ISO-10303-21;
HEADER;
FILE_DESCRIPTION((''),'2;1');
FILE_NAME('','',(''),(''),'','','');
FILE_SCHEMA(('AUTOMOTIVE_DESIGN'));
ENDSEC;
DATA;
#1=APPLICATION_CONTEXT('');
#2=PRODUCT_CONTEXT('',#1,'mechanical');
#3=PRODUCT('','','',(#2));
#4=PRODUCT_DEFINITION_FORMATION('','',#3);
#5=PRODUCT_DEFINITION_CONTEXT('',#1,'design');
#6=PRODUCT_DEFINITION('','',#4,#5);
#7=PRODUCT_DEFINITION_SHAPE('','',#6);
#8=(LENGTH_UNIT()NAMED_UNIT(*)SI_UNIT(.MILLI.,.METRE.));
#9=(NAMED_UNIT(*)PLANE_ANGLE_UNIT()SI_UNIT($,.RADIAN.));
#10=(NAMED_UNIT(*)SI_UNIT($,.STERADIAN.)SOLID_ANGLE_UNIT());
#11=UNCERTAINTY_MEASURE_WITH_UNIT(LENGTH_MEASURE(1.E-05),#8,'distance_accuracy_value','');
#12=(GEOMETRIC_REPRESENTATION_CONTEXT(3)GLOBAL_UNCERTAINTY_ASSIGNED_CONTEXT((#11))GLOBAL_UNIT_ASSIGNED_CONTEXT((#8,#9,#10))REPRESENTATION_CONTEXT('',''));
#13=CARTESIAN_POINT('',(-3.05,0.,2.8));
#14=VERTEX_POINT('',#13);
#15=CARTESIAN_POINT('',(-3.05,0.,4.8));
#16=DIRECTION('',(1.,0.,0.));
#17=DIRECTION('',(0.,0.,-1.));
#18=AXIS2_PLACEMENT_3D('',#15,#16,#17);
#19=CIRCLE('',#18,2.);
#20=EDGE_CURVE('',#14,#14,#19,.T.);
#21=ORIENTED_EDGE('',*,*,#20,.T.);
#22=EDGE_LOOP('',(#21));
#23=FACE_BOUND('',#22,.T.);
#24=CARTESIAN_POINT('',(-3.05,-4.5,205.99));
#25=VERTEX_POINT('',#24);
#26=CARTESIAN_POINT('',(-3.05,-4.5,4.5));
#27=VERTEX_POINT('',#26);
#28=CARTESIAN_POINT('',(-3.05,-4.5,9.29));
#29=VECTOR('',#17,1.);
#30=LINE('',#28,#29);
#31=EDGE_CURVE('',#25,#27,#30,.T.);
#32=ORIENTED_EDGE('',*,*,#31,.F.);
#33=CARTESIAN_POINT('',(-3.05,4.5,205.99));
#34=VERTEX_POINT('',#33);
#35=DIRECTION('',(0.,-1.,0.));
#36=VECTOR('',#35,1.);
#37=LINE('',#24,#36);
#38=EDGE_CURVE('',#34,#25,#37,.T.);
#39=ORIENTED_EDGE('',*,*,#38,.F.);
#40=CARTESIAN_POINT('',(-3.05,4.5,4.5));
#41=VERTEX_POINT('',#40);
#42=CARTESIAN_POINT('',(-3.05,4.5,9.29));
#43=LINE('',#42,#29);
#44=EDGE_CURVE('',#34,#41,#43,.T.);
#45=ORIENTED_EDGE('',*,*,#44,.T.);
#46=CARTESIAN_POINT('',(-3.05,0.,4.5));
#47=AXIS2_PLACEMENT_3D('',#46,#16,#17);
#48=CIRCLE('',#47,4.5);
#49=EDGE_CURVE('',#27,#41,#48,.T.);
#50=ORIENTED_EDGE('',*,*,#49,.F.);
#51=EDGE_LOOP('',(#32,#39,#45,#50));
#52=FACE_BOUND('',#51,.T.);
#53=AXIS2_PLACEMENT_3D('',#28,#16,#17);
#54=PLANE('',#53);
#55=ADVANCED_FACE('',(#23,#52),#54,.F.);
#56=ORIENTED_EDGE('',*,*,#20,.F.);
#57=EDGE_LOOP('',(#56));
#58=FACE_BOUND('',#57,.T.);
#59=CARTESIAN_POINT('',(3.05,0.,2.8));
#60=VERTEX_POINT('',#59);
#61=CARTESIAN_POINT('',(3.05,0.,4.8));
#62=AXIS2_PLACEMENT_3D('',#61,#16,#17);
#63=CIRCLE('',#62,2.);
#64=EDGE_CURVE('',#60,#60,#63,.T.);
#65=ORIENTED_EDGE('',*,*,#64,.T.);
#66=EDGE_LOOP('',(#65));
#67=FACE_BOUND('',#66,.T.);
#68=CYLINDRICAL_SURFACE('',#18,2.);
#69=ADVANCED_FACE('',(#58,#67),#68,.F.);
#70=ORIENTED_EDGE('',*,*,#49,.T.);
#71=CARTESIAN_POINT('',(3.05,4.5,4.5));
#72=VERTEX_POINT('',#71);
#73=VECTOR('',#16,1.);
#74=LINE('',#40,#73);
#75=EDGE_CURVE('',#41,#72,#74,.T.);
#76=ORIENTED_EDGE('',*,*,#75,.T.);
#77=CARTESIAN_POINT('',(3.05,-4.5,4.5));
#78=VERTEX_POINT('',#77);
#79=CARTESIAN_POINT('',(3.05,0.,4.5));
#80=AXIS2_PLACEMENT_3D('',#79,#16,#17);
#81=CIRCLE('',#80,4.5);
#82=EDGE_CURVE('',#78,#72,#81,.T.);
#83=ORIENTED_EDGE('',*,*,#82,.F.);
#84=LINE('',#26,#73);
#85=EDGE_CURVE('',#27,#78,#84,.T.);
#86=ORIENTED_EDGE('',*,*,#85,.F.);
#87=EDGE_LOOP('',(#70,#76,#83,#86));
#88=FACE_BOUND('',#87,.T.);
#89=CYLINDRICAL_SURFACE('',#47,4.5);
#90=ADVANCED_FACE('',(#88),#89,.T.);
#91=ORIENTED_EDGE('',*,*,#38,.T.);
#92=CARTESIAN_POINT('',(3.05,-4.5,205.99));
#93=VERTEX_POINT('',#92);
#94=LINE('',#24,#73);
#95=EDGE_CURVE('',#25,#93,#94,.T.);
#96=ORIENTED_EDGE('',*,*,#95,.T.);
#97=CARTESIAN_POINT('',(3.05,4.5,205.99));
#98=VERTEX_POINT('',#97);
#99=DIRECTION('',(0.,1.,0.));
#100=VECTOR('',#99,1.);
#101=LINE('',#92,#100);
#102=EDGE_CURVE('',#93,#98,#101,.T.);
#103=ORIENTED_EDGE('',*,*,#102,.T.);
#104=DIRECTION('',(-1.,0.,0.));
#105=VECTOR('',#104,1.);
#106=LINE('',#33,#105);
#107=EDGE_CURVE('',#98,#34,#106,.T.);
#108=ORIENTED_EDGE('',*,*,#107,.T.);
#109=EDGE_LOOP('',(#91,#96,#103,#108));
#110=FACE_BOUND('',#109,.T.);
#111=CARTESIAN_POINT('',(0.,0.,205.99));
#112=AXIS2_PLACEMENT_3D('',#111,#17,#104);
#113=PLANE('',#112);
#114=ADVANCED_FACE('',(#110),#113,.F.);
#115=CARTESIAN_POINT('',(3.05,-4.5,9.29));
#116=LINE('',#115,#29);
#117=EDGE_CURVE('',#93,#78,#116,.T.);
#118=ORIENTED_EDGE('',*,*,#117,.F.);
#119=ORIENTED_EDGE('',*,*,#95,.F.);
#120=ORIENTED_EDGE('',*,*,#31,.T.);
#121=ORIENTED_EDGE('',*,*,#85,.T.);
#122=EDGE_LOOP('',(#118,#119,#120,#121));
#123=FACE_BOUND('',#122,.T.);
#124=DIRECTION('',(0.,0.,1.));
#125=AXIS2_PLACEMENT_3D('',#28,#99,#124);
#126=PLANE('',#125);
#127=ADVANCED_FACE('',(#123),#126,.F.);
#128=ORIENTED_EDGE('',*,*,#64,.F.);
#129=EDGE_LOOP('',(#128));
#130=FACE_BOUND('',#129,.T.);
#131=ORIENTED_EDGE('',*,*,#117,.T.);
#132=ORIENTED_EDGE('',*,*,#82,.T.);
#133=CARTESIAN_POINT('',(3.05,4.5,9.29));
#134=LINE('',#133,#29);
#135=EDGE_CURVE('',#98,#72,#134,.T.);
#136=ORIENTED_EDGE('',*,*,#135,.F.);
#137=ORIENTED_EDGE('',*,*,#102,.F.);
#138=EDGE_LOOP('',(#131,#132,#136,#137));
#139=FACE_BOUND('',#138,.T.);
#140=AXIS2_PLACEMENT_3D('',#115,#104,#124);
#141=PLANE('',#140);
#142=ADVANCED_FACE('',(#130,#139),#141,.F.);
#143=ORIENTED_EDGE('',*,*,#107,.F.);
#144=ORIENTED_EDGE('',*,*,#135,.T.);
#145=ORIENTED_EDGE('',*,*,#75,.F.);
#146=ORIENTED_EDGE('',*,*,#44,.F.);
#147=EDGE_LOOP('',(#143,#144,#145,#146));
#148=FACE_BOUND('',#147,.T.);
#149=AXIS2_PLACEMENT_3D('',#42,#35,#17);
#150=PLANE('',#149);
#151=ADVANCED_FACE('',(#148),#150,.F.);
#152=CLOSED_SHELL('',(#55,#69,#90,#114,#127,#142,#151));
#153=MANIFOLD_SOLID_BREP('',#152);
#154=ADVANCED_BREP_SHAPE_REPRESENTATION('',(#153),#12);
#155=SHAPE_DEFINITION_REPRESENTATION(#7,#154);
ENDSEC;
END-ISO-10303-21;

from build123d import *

# Parameters (mm, degrees)
SKETCH1_W           = 6.1
SKETCH1_H           = 9
BOSS_EXTRUDE1_DEPTH = 9.29
SKETCH3_R           = 2
CUT_EXTRUDE2_DEPTH  = 12.990166805
SKETCH4_W           = 6.1
SKETCH4_H           = 9
BOSS_EXTRUDE2_DEPTH = 196.7


with BuildPart() as part:
    # Sketch1 → Boss-Extrude1 (new body)
    with BuildSketch(Plane.XY):
        Rectangle(SKETCH1_W, SKETCH1_H)
    extrude(amount=BOSS_EXTRUDE1_DEPTH)

    # Sketch3 → Cut-Extrude2 (cut, through all)
    with BuildSketch(Plane(origin=(3.05, 0, 0), x_dir=(0, 0, -1), z_dir=(1, 0, 0))):
        with BuildLine():
            ThreePointArc((-4.5, 4.5), (-1.318019485, 3.181980515), (0, 0))
            Line((0, 0), (0, 4.5))
            Line((0, 4.5), (-4.5, 4.5))
        make_face()
        with BuildLine():
            ThreePointArc((0, 0), (-1.318019485, -3.181980515), (-4.5, -4.5))
            Line((-4.5, -4.5), (0, -4.5))
            Line((0, -4.5), (0, 0))
        make_face()
        with Locations((-4.8, 0)):
            Circle(SKETCH3_R)
    extrude(amount=-CUT_EXTRUDE2_DEPTH, mode=Mode.SUBTRACT)

    # Sketch4 → Boss-Extrude2 (add)
    with BuildSketch(Plane.XY.offset(9.29)):
        Rectangle(SKETCH4_W, SKETCH4_H)
    extrude(amount=BOSS_EXTRUDE2_DEPTH)


solid = part.part
